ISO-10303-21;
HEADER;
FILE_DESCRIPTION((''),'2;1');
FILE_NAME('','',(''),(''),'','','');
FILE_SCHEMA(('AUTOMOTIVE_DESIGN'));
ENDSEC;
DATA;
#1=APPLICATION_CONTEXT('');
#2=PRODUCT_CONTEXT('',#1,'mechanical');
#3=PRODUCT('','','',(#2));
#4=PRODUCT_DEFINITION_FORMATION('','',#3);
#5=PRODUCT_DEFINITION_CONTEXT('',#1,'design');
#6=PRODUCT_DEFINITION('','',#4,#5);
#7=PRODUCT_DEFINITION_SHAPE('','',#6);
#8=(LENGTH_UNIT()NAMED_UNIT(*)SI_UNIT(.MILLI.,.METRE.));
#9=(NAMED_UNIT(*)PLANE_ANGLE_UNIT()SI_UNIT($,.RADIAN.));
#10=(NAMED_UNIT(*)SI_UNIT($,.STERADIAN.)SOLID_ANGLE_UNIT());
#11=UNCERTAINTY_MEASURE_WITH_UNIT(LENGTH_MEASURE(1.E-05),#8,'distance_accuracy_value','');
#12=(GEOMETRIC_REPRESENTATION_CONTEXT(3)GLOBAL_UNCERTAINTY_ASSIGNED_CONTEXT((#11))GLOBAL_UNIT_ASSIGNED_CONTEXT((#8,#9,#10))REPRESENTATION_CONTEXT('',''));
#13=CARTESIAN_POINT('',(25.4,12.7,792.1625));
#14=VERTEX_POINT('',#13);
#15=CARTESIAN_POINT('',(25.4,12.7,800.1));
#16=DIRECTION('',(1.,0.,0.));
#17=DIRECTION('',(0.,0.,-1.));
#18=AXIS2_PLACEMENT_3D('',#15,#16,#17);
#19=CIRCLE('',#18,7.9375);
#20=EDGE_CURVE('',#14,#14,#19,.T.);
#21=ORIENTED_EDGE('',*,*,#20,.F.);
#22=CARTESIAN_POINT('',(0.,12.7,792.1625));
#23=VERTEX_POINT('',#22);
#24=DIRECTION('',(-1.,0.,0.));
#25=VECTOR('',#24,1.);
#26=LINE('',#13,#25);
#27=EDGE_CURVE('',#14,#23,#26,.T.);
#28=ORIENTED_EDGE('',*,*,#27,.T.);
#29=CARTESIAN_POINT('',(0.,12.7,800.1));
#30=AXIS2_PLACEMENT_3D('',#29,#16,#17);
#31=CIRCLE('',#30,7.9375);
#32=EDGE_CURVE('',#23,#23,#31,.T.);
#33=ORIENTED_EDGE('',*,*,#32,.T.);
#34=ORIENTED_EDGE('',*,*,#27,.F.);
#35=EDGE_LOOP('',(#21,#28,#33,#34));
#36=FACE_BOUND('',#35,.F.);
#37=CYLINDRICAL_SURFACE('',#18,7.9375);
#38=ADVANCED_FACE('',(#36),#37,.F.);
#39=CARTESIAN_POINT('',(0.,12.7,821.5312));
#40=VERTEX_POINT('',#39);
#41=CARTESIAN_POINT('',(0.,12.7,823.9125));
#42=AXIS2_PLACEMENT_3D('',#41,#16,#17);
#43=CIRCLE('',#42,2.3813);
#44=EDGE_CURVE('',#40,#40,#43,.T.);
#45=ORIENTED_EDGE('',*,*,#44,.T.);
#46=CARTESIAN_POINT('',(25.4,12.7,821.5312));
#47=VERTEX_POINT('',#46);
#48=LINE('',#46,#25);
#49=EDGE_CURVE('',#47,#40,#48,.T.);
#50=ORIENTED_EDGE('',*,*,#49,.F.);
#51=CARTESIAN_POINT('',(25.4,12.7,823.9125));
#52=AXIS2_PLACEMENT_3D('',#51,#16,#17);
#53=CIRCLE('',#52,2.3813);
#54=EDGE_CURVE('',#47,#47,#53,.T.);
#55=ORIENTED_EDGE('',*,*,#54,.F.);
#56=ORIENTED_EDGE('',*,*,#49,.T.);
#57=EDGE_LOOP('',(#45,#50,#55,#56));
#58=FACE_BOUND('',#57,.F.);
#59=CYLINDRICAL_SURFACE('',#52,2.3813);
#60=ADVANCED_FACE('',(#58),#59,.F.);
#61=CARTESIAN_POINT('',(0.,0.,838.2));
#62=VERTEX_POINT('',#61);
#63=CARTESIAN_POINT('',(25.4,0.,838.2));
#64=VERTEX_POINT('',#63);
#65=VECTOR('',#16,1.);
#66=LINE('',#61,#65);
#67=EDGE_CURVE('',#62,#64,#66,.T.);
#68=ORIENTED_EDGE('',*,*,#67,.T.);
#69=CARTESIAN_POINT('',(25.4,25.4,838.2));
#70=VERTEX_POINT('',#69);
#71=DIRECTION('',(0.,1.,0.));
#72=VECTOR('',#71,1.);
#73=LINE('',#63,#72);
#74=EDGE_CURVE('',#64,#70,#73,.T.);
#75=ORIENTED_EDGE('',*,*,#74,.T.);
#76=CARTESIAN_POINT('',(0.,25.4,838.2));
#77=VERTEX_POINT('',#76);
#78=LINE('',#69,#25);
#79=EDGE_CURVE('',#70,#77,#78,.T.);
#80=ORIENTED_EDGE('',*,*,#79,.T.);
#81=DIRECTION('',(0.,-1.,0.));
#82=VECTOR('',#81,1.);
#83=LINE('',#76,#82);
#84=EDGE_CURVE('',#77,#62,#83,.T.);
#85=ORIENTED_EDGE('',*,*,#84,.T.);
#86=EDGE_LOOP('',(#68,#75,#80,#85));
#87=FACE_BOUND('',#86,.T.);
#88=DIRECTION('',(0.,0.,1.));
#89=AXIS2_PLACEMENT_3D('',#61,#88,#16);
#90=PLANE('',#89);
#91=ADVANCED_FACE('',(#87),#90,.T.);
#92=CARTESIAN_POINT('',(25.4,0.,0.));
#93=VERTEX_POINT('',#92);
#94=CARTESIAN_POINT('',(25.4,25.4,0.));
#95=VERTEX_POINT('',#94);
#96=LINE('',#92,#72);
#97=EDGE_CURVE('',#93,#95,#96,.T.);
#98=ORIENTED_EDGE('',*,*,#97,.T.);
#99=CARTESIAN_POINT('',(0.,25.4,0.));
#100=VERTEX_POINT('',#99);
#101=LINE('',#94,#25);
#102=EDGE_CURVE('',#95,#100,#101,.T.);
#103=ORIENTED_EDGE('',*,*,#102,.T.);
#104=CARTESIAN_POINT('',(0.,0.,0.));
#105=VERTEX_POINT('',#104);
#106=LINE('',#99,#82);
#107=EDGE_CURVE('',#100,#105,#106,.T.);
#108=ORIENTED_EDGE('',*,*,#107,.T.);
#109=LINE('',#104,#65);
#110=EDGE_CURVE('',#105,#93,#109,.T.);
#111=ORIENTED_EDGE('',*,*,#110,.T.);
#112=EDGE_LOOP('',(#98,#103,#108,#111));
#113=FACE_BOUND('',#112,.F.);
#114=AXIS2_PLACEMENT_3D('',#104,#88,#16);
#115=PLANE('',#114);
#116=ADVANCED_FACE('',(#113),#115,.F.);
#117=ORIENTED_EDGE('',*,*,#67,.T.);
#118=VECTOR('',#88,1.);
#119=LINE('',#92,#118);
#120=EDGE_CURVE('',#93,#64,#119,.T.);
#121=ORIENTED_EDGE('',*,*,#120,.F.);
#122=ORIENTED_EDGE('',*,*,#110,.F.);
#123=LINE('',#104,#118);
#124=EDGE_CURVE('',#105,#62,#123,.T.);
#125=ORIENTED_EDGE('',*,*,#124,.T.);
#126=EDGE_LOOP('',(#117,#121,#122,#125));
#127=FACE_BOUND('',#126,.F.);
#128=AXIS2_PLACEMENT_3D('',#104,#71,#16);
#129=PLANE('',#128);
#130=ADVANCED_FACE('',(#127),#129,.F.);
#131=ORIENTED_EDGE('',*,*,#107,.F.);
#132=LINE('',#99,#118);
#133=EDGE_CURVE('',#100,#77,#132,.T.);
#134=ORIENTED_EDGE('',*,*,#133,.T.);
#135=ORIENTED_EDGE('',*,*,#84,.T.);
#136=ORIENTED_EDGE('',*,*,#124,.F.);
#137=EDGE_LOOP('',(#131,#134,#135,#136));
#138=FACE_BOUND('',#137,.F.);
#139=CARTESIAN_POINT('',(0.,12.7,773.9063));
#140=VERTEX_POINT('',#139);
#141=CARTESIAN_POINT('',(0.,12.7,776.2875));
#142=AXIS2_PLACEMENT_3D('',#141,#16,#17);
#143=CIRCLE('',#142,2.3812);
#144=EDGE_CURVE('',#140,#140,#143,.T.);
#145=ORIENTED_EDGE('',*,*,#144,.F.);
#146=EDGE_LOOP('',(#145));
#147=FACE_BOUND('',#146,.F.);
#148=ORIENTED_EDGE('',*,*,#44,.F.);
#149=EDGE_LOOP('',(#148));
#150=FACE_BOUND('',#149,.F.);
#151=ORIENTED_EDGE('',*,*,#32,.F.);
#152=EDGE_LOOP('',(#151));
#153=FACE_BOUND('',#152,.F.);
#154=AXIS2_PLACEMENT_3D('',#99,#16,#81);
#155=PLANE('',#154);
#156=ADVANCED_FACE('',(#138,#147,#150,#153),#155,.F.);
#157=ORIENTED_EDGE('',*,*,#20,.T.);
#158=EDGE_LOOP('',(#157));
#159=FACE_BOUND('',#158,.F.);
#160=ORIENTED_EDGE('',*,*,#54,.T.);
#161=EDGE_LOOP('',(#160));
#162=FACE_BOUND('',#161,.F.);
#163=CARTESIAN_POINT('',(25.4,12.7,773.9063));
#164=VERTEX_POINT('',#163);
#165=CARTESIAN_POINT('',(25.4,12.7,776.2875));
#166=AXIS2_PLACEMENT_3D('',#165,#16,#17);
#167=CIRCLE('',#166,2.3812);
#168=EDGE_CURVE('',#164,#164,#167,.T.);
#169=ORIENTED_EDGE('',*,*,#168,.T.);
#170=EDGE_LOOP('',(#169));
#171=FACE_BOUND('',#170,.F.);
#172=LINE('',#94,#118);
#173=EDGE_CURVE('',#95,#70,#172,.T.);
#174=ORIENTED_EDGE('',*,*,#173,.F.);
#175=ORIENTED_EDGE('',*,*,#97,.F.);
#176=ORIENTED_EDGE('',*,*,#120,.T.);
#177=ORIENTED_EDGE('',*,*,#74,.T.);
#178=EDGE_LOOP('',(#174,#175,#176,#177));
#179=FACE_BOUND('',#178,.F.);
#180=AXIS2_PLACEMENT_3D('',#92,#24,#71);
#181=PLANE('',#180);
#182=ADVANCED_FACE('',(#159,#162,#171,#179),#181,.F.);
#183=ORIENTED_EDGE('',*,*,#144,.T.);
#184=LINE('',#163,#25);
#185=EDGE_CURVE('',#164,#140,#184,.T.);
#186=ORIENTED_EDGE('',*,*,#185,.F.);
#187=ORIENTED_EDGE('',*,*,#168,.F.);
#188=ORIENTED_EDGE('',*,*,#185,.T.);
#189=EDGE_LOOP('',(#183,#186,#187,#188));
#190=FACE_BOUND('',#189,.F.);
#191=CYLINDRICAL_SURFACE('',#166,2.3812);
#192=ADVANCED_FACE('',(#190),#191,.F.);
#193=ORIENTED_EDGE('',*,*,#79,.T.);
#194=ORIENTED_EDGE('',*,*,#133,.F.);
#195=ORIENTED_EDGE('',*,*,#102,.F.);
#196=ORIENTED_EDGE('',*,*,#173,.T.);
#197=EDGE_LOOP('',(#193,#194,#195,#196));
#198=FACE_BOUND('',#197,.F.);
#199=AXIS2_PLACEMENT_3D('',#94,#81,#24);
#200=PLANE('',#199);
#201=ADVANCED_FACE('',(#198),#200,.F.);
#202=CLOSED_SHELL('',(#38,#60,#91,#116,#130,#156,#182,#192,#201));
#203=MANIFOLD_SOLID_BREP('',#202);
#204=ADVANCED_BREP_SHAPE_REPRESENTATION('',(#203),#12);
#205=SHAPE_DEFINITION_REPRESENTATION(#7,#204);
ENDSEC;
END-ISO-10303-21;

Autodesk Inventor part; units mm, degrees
ref_plane "YZ Plane" through (0, 0, 0) normal (1, 0, 0) x (0, 1, 0)
ref_plane "XZ Plane" through (0, 0, 0) normal (0, 1, 0) x (-1, 0, 0)
ref_plane "XY Plane" through (0, 0, 0) normal (0, 0, 1) x (1, 0, 0)
sketch "Sketch1" plane through (0, 0, 0) normal (0, 0, 1) x (1, 0, 0)
  line L0 (0, 0) -> (25.4, 0)
  line L1 (25.4, 0) -> (25.4, 25.4)
  line L2 (25.4, 25.4) -> (0, 25.4)
  line L3 (0, 25.4) -> (0, 0)
  dimension "d0" = 25.4
  dimension "d1" = 25.4
extrude "Extrusion1" add sketch "Sketch1" along normal blind 838.2
sketch "Sketch2" plane through (25.4, 0, 0) normal (1, 0, 0) x (0, 0, -1)
  line L0 (-838.2, 0) -> (-838.2, 25.4) projected
  circle A0 centre (-800.1, 12.7) radius 7.9375
  circle A1 centre (-823.9125, 12.7) radius 2.3813
  circle A2 centre (-776.2875, 12.7) radius 2.3812
  dimension "d4" = 15.875
  dimension "d5" = 38.1
  dimension "d8" = 4.7625
  dimension "d9" = 4.7625
  dimension "d10" = 23.8125
  dimension "d11" = 23.8125
extrude "Extrusion3" cut sketch "Sketch2" against normal blind 25.4
equation "\"d11\" = d10"
properties part number "utilityarm1x1"
